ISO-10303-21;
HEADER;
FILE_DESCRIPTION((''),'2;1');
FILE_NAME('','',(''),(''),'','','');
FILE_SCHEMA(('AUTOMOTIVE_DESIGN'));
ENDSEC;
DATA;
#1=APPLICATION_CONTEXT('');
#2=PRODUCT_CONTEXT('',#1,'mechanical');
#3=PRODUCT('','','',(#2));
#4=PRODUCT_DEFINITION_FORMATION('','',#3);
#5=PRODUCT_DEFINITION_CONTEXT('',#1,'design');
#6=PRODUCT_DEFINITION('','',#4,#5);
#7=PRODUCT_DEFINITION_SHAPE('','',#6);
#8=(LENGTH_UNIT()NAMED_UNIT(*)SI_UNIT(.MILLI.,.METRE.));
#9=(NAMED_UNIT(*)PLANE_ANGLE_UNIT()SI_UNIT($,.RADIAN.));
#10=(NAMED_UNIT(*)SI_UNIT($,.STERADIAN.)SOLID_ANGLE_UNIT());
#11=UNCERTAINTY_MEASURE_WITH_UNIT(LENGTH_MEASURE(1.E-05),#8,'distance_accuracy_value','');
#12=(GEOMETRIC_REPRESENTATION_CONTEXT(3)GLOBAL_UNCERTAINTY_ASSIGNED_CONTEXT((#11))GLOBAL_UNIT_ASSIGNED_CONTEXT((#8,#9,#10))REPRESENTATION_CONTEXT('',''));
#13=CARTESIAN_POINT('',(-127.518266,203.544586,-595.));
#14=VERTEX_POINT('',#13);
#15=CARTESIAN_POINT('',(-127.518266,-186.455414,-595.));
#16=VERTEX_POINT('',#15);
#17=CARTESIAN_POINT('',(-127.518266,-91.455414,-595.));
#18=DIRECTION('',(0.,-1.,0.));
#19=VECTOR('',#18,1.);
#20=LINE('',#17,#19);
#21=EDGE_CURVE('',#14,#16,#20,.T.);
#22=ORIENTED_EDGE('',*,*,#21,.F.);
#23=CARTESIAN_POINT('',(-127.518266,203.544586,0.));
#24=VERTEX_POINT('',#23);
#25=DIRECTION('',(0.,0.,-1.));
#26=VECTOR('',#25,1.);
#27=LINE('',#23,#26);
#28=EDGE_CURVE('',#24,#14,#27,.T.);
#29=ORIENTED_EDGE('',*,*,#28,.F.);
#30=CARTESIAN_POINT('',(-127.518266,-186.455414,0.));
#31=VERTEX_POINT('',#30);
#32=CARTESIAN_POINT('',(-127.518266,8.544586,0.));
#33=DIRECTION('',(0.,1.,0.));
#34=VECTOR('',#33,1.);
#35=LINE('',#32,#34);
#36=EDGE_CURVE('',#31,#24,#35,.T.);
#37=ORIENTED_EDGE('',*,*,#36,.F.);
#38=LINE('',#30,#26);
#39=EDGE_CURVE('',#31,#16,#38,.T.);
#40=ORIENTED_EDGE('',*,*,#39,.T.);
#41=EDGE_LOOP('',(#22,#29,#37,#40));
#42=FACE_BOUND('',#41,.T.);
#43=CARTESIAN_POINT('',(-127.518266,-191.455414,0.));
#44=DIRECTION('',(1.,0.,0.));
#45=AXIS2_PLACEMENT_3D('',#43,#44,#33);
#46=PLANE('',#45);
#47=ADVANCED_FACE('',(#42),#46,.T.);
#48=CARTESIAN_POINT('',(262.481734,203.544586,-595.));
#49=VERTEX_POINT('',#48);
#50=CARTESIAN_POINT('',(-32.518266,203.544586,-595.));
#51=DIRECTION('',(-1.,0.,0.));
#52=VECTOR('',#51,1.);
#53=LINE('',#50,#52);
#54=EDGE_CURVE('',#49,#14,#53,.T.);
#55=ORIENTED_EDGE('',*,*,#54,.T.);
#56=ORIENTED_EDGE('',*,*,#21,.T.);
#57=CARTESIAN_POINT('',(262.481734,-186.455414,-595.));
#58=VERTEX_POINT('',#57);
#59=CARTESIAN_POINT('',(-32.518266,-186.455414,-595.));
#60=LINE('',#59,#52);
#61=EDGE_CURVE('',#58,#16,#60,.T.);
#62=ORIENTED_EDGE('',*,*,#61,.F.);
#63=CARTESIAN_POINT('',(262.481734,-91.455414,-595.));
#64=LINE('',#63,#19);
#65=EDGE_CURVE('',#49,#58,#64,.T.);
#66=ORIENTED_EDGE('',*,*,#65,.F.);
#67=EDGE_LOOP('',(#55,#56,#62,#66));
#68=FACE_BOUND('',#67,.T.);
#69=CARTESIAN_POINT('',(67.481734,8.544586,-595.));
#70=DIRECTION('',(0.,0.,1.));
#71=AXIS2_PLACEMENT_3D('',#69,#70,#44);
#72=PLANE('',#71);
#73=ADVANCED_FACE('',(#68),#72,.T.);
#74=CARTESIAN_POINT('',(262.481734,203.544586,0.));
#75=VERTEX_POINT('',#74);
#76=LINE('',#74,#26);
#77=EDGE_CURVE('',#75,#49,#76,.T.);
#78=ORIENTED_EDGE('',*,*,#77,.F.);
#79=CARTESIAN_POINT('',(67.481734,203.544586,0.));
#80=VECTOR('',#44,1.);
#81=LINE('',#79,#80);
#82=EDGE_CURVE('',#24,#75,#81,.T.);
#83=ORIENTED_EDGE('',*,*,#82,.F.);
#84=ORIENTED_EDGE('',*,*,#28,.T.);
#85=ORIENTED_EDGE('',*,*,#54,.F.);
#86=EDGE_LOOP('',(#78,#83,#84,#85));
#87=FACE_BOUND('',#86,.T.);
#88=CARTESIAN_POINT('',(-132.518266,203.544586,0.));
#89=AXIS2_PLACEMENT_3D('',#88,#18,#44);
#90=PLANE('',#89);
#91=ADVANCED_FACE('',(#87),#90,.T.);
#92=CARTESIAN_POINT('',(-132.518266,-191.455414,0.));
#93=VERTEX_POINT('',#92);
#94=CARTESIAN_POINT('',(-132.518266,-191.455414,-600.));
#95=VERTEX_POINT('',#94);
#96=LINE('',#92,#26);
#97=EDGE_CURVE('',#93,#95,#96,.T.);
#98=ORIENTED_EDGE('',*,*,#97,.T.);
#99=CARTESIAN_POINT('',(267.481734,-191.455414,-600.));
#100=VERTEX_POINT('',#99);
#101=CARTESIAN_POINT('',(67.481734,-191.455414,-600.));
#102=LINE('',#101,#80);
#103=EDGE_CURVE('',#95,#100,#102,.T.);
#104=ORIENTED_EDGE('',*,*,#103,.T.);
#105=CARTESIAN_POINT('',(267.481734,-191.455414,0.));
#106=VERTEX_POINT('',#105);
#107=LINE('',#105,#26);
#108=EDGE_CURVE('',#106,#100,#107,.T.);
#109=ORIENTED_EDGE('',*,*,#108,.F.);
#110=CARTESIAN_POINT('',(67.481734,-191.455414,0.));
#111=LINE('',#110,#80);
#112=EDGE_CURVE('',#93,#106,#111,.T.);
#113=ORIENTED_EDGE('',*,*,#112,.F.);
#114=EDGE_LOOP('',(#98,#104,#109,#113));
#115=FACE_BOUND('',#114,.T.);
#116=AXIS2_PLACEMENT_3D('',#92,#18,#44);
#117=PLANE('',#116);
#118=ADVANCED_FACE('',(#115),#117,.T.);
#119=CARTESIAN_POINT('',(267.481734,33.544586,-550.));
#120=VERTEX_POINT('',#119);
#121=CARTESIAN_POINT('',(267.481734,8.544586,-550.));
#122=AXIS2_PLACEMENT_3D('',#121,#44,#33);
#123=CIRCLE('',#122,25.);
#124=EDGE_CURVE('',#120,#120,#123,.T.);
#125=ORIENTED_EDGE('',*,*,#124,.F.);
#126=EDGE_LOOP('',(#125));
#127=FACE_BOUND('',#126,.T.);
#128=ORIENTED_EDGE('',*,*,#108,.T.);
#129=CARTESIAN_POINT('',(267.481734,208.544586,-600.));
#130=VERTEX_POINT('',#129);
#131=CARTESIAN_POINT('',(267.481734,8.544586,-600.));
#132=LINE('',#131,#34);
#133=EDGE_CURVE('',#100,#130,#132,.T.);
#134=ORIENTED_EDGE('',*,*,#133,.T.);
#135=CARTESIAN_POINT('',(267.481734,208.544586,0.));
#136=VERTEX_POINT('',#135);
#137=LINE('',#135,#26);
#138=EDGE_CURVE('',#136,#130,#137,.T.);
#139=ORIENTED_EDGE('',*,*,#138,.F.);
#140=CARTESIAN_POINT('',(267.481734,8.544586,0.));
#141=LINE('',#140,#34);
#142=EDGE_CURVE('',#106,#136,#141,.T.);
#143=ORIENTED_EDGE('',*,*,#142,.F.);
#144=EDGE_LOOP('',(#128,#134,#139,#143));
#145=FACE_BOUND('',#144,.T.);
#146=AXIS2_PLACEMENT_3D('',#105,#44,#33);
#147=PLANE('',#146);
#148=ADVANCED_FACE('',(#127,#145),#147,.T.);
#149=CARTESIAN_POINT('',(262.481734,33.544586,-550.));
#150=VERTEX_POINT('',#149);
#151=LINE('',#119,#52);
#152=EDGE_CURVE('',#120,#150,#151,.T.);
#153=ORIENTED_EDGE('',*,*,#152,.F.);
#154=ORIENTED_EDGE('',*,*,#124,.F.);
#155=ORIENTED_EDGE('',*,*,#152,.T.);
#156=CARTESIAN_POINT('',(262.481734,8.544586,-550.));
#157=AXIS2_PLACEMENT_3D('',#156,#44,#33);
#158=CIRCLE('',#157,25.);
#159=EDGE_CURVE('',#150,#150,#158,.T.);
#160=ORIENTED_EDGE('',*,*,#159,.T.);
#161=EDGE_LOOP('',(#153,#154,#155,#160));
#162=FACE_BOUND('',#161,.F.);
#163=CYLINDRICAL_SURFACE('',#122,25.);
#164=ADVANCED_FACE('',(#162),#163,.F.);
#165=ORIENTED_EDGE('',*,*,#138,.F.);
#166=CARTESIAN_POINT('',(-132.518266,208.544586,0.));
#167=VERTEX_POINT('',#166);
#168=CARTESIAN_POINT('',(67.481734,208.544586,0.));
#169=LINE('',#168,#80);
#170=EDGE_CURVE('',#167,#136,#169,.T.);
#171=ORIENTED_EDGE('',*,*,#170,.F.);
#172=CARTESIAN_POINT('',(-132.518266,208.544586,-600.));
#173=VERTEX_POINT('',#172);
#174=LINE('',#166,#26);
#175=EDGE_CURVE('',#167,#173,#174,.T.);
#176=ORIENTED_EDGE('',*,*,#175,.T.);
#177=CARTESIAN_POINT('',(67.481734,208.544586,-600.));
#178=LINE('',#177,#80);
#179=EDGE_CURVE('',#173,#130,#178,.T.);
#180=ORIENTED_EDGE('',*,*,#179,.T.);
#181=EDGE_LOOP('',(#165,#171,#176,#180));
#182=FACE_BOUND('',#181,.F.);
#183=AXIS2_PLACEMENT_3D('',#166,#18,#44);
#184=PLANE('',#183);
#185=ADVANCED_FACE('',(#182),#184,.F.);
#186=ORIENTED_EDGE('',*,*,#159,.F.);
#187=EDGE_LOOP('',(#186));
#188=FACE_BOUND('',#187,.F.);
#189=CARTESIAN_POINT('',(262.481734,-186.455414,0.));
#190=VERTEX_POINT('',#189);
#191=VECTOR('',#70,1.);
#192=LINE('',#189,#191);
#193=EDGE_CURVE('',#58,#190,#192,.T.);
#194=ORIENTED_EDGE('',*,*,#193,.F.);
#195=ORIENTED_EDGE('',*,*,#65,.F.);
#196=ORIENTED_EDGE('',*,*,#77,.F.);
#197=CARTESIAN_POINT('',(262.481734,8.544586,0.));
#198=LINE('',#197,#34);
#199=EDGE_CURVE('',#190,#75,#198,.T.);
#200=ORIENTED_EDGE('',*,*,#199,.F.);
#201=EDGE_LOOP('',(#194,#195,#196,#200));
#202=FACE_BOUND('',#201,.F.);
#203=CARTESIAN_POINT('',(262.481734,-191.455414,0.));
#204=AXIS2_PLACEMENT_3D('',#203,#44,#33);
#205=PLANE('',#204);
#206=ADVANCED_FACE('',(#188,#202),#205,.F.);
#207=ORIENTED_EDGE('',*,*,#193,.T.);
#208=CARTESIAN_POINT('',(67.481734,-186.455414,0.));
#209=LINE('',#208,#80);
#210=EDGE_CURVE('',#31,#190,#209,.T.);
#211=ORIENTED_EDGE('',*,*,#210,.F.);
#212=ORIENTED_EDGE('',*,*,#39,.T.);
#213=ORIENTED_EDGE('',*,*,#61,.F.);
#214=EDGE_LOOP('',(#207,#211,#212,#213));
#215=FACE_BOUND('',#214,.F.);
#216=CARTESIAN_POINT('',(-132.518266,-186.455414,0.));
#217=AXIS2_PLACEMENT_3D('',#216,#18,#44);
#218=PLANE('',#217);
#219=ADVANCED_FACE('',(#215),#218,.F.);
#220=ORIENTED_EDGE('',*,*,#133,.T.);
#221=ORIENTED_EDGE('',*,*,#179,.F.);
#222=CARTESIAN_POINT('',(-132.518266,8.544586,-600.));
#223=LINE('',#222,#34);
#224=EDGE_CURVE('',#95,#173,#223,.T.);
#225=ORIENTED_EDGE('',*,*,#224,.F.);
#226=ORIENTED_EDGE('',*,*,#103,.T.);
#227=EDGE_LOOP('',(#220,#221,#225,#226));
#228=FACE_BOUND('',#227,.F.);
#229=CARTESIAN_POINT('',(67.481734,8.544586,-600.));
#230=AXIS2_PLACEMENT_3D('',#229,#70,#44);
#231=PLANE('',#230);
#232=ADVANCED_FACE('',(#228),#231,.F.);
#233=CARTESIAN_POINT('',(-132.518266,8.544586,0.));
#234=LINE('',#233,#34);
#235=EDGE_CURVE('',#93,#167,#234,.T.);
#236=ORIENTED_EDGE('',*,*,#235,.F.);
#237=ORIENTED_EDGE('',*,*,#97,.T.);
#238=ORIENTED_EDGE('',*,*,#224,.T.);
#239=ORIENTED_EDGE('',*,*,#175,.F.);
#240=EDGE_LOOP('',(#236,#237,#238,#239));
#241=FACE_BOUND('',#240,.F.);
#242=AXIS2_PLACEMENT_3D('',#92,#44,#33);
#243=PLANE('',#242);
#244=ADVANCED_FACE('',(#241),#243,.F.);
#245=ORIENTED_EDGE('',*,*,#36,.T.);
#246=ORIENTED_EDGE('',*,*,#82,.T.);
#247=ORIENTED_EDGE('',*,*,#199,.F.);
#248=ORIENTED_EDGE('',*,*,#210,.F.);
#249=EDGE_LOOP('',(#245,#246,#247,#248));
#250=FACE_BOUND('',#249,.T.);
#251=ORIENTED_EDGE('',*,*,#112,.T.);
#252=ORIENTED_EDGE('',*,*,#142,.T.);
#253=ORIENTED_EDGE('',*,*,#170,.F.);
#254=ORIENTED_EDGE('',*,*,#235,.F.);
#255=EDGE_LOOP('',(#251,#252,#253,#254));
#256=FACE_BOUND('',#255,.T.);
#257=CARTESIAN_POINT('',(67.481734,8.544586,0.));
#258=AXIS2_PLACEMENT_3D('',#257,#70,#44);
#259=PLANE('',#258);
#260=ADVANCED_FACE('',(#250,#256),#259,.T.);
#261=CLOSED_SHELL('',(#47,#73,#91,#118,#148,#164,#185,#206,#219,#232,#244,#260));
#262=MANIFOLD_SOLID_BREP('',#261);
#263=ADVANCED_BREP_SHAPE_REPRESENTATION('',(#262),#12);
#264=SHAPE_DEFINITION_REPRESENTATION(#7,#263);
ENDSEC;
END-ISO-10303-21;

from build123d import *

# Parameters (mm, degrees)
F0_W     = 400
F0_H     = 400
F1_DEPTH = 600
F2_T     = -5
F3_R     = 25
F4_DEPTH = 30


with BuildPart() as f1:
    # F0 (on Top) → F1 (new body)
    with BuildSketch(Plane.XY):
        with Locations((67.481734, 8.544586)):
            Rectangle(F0_W, F0_H)
    extrude(amount=-F1_DEPTH)

    # F2
    f2_openings = [f1.faces().sort_by_distance(p)[0] for p in [
        (67.481734, 8.544586, 0),
    ]]
    offset(amount=F2_T, openings=f2_openings)

    # F3 (on face) → F4 (cut)
    with BuildSketch(Plane.YZ.offset(267.481734)):
        with Locations((8.544586, -550)):
            Circle(F3_R)
    extrude(amount=-F4_DEPTH, mode=Mode.SUBTRACT)


solid = f1.part
